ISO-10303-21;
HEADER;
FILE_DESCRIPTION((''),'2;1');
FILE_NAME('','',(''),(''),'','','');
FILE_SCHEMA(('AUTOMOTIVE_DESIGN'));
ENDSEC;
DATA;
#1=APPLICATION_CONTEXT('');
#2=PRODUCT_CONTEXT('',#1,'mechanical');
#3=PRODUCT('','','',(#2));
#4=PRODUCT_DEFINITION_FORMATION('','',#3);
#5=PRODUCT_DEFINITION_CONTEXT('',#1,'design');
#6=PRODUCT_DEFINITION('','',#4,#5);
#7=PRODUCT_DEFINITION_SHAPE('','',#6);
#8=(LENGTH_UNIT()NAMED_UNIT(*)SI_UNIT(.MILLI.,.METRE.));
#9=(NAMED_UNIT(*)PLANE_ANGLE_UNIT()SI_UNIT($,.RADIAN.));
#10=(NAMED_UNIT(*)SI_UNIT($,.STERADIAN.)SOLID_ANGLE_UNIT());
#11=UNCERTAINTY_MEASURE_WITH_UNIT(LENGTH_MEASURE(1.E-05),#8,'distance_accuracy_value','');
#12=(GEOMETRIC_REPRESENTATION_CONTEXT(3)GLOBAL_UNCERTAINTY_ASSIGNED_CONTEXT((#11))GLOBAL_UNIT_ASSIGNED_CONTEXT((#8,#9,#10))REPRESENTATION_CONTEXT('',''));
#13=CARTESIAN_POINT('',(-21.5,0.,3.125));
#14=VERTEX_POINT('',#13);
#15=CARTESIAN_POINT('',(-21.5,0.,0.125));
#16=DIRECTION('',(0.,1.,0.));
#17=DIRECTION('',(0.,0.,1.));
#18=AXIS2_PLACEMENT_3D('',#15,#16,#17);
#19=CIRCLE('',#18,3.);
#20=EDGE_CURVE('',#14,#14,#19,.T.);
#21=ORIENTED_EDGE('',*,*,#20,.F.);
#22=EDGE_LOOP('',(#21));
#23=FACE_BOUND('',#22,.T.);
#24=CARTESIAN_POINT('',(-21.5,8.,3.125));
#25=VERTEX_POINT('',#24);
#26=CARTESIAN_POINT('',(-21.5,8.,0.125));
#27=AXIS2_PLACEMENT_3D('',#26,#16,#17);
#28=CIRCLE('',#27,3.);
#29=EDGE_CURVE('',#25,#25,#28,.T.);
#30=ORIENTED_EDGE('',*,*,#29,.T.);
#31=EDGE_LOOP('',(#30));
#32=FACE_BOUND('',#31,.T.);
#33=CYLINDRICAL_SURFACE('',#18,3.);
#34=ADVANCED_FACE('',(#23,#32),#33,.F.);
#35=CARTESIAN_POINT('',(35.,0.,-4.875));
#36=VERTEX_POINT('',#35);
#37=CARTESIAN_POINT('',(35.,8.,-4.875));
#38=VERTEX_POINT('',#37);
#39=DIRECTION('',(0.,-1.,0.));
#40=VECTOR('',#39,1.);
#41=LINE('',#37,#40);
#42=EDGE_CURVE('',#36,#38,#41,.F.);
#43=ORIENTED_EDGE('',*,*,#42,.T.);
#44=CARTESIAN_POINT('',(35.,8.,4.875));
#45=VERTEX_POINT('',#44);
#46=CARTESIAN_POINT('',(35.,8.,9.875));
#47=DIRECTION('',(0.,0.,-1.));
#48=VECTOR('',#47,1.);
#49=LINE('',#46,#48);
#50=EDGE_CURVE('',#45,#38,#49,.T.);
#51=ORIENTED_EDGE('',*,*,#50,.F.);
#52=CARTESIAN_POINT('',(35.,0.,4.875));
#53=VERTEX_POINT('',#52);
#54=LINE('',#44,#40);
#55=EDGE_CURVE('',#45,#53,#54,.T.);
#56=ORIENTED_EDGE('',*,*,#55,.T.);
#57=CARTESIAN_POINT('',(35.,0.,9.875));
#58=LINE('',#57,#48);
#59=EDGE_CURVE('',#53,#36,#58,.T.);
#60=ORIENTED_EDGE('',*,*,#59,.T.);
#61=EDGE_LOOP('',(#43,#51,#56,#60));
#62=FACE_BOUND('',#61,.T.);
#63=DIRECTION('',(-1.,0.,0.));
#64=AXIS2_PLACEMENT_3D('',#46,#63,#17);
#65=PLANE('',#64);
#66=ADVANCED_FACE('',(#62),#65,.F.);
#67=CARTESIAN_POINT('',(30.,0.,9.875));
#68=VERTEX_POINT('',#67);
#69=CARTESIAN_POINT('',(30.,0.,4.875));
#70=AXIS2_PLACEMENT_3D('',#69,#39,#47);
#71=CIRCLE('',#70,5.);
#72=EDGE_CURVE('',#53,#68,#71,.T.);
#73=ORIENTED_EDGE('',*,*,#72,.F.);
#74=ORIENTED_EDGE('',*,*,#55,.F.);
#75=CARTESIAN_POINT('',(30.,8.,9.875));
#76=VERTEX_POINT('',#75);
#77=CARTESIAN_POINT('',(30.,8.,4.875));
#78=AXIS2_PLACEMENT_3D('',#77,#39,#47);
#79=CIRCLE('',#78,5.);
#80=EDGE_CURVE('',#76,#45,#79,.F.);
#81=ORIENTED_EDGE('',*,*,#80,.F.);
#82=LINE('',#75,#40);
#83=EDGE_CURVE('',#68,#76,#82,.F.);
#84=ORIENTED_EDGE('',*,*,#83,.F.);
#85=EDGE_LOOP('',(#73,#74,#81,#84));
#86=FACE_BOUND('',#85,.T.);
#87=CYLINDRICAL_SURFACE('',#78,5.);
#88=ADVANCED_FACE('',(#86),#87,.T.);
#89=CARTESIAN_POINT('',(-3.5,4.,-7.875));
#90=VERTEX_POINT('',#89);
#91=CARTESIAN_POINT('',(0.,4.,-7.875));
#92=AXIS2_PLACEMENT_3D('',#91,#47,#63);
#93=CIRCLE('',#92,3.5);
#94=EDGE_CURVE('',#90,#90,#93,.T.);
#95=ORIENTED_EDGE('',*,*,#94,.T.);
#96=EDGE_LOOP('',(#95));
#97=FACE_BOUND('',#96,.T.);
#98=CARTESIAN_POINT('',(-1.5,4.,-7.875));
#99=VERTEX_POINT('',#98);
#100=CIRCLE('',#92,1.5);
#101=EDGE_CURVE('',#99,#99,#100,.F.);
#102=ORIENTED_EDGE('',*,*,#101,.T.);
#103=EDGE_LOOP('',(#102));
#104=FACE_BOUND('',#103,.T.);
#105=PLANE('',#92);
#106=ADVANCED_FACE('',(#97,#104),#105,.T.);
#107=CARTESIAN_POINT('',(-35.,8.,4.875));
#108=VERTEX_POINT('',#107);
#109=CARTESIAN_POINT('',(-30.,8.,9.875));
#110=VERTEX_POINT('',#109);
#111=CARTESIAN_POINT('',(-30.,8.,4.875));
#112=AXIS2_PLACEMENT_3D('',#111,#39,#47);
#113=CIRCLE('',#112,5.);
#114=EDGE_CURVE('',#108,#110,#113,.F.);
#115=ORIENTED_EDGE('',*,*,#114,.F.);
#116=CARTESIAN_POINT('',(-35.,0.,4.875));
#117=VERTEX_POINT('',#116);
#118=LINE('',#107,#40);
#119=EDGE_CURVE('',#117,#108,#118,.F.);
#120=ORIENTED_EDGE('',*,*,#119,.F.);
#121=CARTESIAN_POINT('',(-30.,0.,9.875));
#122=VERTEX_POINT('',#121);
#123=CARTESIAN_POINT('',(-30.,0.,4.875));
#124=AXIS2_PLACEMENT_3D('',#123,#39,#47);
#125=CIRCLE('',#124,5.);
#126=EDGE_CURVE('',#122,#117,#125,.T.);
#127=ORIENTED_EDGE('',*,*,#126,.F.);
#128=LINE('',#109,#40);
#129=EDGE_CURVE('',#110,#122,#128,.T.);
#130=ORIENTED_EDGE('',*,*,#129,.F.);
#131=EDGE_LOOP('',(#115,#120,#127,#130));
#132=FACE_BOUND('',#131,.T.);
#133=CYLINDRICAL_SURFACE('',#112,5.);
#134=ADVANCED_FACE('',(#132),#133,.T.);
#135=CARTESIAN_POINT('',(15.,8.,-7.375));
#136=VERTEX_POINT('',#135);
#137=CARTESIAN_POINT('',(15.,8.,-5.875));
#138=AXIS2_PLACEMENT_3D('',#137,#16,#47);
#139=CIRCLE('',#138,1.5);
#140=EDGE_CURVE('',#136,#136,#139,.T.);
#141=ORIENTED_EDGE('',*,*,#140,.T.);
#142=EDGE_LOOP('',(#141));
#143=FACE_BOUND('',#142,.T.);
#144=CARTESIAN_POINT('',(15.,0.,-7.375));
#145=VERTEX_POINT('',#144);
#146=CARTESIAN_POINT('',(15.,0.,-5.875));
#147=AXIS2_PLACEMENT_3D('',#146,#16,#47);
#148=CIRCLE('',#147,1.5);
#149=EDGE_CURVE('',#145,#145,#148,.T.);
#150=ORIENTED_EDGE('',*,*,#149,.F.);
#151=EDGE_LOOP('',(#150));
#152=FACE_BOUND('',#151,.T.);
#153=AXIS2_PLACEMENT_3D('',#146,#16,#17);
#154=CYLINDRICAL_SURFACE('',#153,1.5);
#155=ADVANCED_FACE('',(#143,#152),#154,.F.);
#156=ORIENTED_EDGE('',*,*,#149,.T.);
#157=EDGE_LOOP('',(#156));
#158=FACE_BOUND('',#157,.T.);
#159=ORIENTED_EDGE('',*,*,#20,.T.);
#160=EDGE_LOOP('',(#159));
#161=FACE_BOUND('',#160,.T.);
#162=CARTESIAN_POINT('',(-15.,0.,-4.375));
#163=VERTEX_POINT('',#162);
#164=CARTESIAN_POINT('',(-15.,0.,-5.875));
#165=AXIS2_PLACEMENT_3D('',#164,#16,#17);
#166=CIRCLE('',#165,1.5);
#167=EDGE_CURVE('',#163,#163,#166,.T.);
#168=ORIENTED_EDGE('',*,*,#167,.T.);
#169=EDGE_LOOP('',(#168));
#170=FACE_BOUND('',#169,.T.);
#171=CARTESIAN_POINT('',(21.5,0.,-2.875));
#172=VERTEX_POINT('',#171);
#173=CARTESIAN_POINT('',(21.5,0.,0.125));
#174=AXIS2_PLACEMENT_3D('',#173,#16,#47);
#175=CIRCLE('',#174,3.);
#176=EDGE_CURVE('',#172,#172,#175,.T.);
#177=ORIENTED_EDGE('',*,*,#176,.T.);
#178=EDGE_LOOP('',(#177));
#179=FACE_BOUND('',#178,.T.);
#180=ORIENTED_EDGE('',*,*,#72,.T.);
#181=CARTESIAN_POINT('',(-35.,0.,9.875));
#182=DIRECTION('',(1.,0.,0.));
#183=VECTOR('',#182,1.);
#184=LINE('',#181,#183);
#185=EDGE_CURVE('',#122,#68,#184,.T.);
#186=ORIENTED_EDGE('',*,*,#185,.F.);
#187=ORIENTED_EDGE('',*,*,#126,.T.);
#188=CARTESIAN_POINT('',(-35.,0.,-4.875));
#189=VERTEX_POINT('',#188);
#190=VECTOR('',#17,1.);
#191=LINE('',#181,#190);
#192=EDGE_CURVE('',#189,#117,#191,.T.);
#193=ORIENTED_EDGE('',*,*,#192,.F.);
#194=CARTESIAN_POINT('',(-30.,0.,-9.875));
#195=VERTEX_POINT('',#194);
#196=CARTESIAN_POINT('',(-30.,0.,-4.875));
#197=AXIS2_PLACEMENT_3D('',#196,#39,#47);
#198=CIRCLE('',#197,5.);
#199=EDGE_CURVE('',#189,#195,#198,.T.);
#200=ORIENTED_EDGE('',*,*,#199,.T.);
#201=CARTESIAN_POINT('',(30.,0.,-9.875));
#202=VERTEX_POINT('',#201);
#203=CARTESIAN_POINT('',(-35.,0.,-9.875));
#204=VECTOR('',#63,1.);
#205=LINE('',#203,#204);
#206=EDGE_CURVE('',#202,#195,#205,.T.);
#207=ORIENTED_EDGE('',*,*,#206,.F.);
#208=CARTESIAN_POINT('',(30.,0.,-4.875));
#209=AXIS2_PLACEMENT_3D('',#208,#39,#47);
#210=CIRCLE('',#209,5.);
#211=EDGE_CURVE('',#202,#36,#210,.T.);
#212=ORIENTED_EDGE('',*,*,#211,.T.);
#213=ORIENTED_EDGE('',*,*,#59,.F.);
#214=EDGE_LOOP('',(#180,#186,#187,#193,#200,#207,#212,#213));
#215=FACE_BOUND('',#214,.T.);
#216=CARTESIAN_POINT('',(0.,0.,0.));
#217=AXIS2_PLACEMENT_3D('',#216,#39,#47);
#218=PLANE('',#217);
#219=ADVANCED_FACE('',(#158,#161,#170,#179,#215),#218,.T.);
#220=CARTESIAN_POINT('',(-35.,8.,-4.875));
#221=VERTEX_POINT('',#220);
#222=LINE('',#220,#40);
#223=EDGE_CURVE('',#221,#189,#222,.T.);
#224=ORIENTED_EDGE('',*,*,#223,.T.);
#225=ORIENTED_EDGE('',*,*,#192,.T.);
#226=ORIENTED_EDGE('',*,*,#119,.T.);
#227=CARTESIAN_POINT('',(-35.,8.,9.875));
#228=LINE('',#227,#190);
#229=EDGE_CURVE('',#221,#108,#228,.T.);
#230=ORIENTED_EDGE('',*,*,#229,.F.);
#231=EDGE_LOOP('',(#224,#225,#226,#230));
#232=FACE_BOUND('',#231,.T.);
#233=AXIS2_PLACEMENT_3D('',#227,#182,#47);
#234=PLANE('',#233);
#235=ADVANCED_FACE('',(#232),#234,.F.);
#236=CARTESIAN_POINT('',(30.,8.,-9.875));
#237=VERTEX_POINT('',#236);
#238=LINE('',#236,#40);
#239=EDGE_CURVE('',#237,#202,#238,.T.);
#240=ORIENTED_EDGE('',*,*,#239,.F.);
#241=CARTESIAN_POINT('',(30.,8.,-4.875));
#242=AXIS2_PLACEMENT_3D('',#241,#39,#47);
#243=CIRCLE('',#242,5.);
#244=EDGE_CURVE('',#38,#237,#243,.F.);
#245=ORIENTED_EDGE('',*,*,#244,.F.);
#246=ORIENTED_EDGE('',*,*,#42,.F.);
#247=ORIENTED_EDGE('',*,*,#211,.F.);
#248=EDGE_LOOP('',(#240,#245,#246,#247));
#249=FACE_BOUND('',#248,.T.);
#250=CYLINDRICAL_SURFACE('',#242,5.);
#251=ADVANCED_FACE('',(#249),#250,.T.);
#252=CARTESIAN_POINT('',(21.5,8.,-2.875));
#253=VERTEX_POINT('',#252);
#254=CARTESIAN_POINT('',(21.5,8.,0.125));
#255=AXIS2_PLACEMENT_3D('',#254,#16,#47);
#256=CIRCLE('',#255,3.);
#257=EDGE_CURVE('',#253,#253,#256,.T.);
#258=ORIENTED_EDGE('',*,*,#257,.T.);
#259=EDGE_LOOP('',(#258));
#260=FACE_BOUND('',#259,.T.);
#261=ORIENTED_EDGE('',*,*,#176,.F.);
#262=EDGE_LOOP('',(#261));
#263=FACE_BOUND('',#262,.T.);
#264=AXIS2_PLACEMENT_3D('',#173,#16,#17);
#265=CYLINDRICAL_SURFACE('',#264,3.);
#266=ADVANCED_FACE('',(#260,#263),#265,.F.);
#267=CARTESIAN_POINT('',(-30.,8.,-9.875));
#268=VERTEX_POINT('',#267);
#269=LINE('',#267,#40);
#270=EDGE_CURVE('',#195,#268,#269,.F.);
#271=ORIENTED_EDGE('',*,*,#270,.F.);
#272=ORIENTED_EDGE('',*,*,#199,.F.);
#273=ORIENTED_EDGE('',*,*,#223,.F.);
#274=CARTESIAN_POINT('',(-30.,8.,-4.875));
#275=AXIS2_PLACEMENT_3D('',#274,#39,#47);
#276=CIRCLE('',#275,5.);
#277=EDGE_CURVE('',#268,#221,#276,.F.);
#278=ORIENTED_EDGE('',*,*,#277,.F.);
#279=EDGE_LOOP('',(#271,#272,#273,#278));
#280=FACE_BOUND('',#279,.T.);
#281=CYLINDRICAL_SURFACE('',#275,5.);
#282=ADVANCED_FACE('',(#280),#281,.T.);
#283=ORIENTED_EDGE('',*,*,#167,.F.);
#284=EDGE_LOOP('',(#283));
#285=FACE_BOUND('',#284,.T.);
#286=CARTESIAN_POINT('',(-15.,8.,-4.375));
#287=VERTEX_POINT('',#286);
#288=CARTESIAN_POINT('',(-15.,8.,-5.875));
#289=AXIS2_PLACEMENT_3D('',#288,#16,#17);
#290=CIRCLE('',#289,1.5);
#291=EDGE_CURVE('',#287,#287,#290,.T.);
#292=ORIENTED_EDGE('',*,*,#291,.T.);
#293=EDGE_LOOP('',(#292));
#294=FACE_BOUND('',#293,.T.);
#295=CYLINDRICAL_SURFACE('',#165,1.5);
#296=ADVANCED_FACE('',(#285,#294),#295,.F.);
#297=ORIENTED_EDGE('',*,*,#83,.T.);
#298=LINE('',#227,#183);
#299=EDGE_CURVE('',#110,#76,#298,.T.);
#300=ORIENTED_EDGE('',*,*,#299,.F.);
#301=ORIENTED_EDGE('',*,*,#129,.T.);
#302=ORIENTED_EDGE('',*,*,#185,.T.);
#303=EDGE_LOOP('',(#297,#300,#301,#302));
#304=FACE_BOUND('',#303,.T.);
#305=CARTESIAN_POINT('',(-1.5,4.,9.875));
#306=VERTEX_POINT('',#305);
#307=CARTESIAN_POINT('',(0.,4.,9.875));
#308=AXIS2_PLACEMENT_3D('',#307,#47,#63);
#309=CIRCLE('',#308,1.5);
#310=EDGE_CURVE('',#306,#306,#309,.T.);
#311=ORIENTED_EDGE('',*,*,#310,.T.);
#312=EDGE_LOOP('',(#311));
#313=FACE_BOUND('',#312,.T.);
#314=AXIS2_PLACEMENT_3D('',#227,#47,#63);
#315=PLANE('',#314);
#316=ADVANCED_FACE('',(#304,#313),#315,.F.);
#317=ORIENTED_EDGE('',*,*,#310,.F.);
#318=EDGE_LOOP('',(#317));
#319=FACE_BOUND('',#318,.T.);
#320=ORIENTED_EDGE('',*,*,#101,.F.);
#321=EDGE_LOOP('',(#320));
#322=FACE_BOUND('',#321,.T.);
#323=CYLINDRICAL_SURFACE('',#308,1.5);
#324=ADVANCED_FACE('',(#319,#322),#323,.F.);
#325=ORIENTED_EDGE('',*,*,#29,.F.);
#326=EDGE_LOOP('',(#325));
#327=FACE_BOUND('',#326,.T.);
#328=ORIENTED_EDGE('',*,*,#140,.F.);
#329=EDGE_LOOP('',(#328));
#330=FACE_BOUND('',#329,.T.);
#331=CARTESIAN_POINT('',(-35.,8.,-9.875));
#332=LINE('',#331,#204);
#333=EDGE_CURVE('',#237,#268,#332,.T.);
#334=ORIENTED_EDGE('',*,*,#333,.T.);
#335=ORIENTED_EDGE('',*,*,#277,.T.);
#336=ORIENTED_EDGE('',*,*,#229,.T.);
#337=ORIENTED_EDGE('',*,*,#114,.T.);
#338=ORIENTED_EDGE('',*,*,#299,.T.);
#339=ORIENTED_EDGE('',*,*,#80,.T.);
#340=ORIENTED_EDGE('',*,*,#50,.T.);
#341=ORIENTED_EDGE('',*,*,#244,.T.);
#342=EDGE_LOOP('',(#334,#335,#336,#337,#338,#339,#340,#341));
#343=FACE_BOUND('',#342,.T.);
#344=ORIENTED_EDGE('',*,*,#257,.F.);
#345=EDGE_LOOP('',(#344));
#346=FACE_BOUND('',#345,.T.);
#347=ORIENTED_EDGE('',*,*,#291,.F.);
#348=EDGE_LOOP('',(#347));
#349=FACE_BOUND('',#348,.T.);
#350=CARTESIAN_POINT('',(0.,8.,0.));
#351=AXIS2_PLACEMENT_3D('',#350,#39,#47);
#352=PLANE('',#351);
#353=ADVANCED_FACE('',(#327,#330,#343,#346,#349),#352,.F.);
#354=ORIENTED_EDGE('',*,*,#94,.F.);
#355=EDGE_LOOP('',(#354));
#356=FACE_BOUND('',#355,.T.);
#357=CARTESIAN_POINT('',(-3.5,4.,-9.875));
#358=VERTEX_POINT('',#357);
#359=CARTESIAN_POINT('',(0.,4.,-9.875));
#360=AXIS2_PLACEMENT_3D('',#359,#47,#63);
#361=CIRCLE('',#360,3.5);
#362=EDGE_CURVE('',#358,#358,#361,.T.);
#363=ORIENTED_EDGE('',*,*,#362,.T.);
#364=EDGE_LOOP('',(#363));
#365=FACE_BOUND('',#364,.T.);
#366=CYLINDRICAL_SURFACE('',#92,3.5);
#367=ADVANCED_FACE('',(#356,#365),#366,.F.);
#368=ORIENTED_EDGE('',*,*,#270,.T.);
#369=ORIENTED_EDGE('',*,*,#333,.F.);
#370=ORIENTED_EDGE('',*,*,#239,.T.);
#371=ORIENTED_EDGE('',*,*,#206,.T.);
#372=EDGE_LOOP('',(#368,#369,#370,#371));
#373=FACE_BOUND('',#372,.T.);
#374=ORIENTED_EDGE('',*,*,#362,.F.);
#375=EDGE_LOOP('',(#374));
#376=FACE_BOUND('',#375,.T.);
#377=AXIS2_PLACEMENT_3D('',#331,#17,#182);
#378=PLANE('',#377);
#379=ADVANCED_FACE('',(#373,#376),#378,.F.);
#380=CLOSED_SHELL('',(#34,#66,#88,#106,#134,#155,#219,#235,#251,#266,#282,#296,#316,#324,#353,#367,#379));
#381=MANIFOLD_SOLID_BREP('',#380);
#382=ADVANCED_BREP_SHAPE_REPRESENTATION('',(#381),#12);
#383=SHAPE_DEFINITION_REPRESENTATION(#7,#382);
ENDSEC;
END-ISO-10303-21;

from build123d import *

# Parameters (mm, degrees)
SKETCH_1_W          = 70
SKETCH_1_H          = 19.75
EXTRUDE_1_DEPTH     = 8
SKETCH_2_R          = 3
CUT_EXTRUDE_1_DEPTH = 9
SKETCH_9_R          = 1.5
CUT_EXTRUDE_7_DEPTH = 9
SKETCH_10_R         = 1.5
CUT_EXTRUDE_8_DEPTH = 20.75
FILLET_1_R          = 5
SKETCH_11_R         = 3.5
CUT_EXTRUDE_9_DEPTH = 2


with BuildPart() as part:
    # 草图1 → 凸台-拉伸1 (new body)
    with BuildSketch(Plane(origin=(0, 0, 0), x_dir=(1, 0, 0), z_dir=(0, 1, 0))):
        Rectangle(SKETCH_1_W, SKETCH_1_H)
    extrude(amount=EXTRUDE_1_DEPTH)

    # 草图2 → 切除-拉伸1 (cut, through all)
    with BuildSketch(Plane(origin=(0, 8, 0), x_dir=(1, 0, 0), z_dir=(0, 1, 0))):
        with Locations((-21.5, -0.125)):
            Circle(SKETCH_2_R)
        with Locations((21.5, -0.125)):
            Circle(SKETCH_2_R)
    extrude(amount=-CUT_EXTRUDE_1_DEPTH, mode=Mode.SUBTRACT)

    # 草图9 → 切除-拉伸7 (cut, through all)
    with BuildSketch(Plane(origin=(0, 8, 0), x_dir=(1, 0, 0), z_dir=(0, 1, 0))):
        with Locations((-15, 5.875)):
            Circle(SKETCH_9_R)
        with Locations((15, 5.875)):
            Circle(SKETCH_9_R)
    extrude(amount=-CUT_EXTRUDE_7_DEPTH, mode=Mode.SUBTRACT)

    # 草图10 → 切除-拉伸8 (cut, through all)
    with BuildSketch(Plane(origin=(0, 0, -9.875), x_dir=(-1, 0, 0), z_dir=(0, 0, -1))):
        with Locations((0, 4)):
            Circle(SKETCH_10_R)
    extrude(amount=-CUT_EXTRUDE_8_DEPTH, mode=Mode.SUBTRACT)

    # 圆角1
    fillet_1_edges = [part.edges().sort_by_distance(p)[0] for p in [
        (35, 4, 9.875),
        (-35, 4, 9.875),
        (-35, 4, -9.875),
        (35, 4, -9.875),
    ]]
    fillet(fillet_1_edges, radius=FILLET_1_R)

    # 草图11 → 切除-拉伸9 (cut)
    with BuildSketch(Plane(origin=(0, 0, -9.875), x_dir=(-1, 0, 0), z_dir=(0, 0, -1))):
        with Locations((0, 4)):
            Circle(SKETCH_11_R)
    extrude(amount=-CUT_EXTRUDE_9_DEPTH, mode=Mode.SUBTRACT)


solid = part.part
